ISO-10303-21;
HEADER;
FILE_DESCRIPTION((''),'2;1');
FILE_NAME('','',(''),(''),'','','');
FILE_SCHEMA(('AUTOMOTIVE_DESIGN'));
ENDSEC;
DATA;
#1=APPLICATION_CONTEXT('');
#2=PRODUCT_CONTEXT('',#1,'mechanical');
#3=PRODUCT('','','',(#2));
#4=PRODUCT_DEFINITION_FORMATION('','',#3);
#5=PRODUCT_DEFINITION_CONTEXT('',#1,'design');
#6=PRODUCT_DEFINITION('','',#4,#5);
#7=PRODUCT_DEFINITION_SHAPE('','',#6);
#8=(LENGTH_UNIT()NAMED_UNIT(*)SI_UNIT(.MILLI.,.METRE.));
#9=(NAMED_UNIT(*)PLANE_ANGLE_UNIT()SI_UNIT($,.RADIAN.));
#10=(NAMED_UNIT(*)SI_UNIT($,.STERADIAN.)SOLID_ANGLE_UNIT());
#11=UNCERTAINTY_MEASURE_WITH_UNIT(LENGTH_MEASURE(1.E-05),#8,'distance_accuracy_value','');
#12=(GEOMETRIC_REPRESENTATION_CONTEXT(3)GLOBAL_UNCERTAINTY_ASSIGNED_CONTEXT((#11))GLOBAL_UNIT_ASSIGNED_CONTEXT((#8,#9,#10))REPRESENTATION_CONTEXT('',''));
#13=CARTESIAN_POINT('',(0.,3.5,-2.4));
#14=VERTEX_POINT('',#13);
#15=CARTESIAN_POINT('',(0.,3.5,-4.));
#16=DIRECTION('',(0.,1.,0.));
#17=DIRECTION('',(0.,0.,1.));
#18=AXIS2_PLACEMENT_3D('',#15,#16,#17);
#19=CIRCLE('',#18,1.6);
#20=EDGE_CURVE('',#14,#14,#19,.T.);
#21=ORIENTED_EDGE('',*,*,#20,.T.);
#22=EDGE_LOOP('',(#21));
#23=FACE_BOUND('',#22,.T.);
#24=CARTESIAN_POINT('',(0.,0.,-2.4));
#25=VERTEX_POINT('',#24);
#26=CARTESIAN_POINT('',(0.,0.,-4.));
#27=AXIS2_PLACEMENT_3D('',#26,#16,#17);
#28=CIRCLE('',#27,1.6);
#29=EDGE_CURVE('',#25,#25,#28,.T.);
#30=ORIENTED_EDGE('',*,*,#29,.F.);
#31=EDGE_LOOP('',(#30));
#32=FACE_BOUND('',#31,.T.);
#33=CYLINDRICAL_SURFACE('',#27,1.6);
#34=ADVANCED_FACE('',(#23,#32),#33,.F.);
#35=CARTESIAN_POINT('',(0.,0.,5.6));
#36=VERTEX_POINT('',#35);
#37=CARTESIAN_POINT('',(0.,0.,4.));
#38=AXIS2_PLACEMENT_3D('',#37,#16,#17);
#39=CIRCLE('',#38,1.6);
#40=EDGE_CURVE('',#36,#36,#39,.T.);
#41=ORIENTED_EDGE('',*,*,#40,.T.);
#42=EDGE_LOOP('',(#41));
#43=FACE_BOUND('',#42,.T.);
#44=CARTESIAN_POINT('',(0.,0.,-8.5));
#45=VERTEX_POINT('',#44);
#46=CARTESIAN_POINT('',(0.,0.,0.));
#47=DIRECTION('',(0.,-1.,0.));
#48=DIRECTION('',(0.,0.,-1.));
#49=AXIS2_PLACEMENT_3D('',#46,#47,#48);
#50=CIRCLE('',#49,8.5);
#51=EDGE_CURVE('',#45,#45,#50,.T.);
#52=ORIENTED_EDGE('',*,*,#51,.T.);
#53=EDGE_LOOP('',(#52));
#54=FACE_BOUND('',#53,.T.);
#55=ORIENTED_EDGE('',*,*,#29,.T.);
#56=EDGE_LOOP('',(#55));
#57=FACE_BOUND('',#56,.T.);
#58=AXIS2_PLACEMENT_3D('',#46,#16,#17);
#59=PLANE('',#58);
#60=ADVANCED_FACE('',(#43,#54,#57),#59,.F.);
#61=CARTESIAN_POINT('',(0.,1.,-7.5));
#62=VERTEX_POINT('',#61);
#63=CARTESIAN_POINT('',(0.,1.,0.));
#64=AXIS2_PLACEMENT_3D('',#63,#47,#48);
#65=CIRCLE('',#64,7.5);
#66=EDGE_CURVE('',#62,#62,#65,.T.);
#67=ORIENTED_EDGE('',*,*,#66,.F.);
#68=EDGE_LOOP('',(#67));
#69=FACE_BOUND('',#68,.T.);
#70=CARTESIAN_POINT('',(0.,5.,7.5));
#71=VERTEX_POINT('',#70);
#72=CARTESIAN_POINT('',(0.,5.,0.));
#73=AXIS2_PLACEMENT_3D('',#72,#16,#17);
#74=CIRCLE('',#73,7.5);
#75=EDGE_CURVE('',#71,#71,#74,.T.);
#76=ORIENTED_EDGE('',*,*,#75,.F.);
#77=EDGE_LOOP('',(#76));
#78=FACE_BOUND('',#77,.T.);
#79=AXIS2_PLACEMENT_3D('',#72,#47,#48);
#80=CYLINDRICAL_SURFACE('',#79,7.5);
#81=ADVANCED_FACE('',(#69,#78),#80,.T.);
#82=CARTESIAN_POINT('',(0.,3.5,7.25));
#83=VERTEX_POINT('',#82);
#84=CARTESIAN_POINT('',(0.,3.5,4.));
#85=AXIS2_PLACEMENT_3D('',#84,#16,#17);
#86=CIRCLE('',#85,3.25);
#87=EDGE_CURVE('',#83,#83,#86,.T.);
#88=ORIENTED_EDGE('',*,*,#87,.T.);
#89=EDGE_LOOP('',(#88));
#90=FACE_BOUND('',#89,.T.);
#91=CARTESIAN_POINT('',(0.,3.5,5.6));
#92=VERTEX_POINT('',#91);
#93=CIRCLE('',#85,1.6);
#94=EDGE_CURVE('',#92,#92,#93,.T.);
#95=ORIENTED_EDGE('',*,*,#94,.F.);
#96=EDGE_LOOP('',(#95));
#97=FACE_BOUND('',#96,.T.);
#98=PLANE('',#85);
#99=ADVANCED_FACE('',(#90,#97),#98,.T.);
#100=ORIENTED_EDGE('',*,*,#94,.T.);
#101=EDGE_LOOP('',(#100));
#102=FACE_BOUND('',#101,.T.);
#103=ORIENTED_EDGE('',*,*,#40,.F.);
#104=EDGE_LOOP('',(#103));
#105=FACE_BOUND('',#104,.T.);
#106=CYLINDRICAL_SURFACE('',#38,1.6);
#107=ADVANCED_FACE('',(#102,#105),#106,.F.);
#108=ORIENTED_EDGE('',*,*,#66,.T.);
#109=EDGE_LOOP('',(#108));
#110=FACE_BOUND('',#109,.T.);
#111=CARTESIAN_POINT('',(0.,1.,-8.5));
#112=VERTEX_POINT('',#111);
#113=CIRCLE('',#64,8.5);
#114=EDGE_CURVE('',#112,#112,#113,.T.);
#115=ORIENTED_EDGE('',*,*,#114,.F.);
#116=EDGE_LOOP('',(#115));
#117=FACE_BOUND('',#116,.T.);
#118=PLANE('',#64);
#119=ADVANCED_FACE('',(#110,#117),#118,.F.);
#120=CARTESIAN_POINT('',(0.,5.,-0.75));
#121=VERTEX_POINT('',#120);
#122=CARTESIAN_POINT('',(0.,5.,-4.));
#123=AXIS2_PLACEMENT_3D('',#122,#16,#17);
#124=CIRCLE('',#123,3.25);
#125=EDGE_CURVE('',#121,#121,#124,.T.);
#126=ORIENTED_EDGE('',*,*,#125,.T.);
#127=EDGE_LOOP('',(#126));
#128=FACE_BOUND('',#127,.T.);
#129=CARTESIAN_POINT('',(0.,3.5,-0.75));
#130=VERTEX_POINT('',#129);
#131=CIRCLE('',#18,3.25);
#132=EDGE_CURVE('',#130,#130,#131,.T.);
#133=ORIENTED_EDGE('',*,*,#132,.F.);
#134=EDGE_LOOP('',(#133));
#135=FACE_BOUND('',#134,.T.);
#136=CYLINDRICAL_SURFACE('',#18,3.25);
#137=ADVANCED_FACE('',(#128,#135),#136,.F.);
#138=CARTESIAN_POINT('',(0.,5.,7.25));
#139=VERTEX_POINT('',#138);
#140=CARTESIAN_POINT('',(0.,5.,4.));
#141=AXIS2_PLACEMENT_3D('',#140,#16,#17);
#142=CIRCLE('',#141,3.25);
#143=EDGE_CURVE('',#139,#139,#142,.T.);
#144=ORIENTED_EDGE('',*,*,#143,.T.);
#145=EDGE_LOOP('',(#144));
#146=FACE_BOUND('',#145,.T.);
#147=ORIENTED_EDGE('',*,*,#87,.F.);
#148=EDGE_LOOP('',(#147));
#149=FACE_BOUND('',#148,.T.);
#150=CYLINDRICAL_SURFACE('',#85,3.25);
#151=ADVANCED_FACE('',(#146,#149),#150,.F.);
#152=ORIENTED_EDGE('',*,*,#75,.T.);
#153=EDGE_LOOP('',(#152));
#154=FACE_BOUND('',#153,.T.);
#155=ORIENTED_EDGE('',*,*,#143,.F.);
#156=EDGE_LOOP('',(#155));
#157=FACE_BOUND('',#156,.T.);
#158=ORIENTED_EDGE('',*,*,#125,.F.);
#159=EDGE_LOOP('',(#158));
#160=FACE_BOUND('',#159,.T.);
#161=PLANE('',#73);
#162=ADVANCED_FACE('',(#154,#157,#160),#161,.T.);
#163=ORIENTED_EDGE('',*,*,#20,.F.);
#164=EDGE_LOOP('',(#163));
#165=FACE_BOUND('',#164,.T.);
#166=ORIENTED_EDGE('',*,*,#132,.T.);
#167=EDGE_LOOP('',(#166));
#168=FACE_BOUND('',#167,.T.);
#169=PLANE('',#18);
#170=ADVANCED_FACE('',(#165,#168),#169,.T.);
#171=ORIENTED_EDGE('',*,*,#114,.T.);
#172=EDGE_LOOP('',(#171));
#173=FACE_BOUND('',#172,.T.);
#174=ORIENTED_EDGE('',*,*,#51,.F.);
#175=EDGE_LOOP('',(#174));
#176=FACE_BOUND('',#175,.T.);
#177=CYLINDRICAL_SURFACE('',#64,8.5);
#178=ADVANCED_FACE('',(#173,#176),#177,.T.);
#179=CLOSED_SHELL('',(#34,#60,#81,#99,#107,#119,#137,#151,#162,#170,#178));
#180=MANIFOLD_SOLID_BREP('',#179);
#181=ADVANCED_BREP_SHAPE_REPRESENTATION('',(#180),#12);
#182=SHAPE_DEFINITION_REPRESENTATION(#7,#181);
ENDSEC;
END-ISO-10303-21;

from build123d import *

# Parameters (mm, degrees)
SKETCH1_R           = 7.5
BOSS_EXTRUDE1_DEPTH = 5
SKETCH2_R           = 3.25
CUT_EXTRUDE1_DEPTH  = 1.5
SKETCH4_R           = 8.5
BOSS_EXTRUDE2_DEPTH = 1
SKETCH3_R           = 1.6
CUT_EXTRUDE2_DEPTH  = 14.019216566


with BuildPart() as part:
    # Sketch1 → Boss-Extrude1 (new body)
    with BuildSketch(Plane(origin=(0, 0, 0), x_dir=(1, 0, 0), z_dir=(0, 1, 0))):
        with Locations(Location((0, 0, 0), (0, 0, 270))):
            Circle(SKETCH1_R)
    extrude(amount=BOSS_EXTRUDE1_DEPTH)

    # Sketch2 → Cut-Extrude1 (cut)
    with BuildSketch(Plane(origin=(0, 5, 0), x_dir=(1, 0, 0), z_dir=(0, 1, 0))):
        with Locations(Location((0, 4, 0), (0, 0, 270))):
            Circle(SKETCH2_R)
        with Locations(Location((0, -4, 0), (0, 0, 270))):
            Circle(SKETCH2_R)
    extrude(amount=-CUT_EXTRUDE1_DEPTH, mode=Mode.SUBTRACT)

    # Sketch4 → Boss-Extrude2 (add)
    with BuildSketch(Plane.XZ):
        with Locations(Location((0, 0, 0), (0, 0, 270))):
            Circle(SKETCH4_R)
    extrude(amount=-BOSS_EXTRUDE2_DEPTH)

    # Sketch3 → Cut-Extrude2 (cut, through all)
    with BuildSketch(Plane(origin=(0, 5, 0), x_dir=(1, 0, 0), z_dir=(0, 1, 0))):
        with Locations(Location((0, 4, 0), (0, 0, 270))):
            Circle(SKETCH3_R)
        with Locations(Location((0, -4, 0), (0, 0, 270))):
            Circle(SKETCH3_R)
    extrude(amount=-CUT_EXTRUDE2_DEPTH, mode=Mode.SUBTRACT)


solid = part.part
